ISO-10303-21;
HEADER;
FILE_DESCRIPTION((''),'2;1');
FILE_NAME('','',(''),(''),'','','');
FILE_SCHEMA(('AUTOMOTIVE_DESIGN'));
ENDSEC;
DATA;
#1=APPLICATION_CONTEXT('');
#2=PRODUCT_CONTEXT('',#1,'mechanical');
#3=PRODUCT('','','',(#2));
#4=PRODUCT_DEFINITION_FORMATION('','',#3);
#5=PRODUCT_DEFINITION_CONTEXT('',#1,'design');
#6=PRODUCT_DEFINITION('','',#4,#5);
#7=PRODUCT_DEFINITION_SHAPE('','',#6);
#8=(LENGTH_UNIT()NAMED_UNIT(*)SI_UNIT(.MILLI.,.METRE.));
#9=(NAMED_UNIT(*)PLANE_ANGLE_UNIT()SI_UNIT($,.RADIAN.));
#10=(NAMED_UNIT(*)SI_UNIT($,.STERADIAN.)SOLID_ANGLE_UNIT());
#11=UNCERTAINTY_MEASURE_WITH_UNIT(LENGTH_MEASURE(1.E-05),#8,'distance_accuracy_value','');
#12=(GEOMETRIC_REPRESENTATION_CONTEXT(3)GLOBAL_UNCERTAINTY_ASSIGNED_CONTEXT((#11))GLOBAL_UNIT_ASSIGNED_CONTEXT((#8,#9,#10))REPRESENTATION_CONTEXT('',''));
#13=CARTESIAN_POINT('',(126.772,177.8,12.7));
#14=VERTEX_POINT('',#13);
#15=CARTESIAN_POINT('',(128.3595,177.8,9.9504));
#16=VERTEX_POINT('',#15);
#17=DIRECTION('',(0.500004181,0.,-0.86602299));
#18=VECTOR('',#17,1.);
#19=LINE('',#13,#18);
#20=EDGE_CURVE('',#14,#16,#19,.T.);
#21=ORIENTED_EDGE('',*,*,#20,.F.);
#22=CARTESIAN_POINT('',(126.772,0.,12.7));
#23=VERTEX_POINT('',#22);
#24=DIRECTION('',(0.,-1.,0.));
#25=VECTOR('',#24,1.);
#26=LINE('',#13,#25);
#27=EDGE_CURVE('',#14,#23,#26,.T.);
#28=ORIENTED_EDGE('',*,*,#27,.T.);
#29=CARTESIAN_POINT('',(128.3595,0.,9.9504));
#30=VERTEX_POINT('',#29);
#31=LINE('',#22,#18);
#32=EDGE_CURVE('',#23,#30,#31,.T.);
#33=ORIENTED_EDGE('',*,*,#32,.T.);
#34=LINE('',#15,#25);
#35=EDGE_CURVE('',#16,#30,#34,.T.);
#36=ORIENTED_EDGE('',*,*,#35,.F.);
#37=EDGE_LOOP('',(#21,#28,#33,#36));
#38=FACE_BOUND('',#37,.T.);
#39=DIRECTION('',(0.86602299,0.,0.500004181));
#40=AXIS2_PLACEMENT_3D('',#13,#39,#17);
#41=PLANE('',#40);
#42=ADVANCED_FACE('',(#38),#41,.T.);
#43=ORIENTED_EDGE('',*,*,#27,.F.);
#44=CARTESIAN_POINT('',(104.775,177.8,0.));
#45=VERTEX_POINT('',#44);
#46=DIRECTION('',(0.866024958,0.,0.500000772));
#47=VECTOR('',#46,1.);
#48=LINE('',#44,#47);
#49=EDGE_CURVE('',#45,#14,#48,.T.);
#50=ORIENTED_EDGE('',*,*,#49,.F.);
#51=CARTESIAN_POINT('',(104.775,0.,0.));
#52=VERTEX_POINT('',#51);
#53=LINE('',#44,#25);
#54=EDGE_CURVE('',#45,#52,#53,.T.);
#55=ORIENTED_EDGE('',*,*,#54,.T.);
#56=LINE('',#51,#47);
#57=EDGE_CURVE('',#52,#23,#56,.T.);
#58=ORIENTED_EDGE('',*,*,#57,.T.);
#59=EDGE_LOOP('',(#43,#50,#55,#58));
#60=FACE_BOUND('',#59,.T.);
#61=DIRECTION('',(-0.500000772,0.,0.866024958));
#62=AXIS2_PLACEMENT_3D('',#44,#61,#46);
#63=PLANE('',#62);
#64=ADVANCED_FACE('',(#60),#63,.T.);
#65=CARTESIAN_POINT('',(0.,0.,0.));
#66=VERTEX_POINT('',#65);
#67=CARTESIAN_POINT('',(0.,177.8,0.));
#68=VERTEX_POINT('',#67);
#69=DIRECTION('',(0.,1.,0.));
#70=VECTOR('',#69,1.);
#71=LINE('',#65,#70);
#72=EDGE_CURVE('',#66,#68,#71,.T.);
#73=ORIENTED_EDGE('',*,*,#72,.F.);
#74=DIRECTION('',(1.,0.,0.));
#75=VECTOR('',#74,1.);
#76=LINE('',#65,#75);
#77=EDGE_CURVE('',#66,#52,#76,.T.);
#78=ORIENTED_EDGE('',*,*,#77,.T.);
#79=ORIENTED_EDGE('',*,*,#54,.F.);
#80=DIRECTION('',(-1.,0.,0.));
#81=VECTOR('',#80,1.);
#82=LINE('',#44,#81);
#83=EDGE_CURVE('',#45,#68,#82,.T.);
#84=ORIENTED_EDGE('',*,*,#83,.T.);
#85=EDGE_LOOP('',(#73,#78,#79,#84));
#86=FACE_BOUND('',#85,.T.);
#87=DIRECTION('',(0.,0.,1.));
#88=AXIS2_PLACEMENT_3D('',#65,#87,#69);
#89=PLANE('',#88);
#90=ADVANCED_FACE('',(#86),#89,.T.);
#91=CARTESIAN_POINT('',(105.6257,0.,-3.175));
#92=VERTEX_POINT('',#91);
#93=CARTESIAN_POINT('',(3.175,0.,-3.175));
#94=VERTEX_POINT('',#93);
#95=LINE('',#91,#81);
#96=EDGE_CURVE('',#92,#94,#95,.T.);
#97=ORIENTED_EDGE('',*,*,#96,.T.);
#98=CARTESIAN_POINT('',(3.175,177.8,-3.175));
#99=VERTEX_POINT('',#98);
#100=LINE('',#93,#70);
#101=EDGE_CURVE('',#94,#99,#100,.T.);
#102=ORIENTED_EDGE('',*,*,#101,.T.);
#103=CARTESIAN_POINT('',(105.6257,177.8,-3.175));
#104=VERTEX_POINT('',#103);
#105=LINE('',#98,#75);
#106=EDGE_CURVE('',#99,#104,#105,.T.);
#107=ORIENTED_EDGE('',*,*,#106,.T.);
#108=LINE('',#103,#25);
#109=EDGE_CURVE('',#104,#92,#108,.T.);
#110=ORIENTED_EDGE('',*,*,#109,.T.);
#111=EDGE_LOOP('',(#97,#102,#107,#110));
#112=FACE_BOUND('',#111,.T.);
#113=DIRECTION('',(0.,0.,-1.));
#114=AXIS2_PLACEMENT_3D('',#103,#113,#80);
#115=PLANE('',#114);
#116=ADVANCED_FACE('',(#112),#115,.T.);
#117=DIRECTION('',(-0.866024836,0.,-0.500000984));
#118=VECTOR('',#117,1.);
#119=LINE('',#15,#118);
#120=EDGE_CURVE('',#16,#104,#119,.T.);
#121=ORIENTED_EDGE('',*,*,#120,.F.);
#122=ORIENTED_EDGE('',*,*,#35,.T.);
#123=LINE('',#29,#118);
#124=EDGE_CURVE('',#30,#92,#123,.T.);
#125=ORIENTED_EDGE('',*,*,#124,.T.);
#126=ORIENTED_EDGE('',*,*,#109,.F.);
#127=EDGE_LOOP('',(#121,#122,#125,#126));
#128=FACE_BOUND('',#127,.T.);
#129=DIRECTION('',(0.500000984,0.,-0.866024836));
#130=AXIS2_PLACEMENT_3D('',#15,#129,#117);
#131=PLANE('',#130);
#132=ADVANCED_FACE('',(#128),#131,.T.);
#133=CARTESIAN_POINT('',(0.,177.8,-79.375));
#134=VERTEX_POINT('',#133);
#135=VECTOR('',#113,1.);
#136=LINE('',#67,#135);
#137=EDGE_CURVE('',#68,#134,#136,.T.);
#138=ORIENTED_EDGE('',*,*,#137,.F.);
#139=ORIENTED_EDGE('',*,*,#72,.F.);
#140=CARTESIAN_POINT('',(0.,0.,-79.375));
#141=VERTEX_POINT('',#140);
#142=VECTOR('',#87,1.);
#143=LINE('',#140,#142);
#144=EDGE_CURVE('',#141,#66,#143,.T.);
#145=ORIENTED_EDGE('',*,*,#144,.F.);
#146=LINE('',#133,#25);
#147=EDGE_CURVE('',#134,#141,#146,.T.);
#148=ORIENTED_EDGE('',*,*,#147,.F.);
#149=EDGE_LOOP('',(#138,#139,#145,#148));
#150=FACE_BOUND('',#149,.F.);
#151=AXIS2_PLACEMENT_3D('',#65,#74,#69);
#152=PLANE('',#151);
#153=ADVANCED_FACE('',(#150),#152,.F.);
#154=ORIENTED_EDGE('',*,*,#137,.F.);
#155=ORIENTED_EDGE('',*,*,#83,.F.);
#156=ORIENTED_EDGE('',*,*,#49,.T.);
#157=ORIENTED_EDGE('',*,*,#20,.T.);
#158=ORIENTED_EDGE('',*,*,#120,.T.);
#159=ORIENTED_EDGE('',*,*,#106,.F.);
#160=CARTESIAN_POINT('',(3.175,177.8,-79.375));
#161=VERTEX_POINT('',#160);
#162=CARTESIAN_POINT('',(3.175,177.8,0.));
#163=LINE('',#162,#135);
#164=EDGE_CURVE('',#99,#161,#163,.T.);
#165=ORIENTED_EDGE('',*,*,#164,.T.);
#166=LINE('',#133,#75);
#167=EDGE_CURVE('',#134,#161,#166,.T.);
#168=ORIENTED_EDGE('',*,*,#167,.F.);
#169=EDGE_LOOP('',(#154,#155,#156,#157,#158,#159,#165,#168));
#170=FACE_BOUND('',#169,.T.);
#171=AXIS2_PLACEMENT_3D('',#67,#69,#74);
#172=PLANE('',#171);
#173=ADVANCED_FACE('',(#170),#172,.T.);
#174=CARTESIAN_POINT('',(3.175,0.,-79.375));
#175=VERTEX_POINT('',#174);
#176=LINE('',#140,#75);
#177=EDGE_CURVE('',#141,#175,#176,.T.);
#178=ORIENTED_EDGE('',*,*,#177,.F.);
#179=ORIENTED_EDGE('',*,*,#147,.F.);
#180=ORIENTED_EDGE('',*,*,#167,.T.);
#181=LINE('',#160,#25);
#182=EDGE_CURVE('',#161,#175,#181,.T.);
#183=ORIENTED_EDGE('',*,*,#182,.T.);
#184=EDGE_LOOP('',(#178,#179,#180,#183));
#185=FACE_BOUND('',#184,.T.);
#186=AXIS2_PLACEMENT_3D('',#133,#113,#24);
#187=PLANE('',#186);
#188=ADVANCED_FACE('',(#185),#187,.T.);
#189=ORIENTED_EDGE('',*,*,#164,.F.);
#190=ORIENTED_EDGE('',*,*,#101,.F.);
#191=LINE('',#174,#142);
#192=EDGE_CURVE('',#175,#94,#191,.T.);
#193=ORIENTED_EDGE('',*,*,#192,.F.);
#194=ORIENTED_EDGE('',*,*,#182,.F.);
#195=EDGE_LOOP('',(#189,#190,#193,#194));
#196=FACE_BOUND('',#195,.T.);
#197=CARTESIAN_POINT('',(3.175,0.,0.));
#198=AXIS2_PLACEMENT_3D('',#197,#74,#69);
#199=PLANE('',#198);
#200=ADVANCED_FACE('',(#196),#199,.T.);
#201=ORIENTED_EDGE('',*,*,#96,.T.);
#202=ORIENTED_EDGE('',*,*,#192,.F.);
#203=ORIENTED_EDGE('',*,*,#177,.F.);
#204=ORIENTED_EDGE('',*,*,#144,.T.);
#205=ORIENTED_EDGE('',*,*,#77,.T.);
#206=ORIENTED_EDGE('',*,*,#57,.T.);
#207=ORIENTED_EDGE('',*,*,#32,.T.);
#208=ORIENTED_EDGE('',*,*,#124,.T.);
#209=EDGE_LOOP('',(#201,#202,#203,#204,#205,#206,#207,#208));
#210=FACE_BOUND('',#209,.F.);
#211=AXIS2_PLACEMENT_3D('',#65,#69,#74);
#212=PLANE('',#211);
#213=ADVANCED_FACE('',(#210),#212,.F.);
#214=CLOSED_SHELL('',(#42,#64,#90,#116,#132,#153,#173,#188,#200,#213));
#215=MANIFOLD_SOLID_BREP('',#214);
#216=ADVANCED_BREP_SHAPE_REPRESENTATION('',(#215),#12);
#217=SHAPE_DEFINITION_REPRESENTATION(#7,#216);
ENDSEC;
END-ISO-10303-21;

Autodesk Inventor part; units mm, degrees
ref_plane "YZ Plane" through (0, 0, 0) normal (1, 0, 0) x (0, 1, 0)
ref_plane "XZ Plane" through (0, 0, 0) normal (0, 1, 0) x (-1, 0, 0)
ref_plane "XY Plane" through (0, 0, 0) normal (0, 0, 1) x (1, 0, 0)
sketch "Sketch1" plane through (0, 0, 0) normal (1, 0, 0) x (0, 1, 0)
  line L0 (0, 0) -> (177.8, 0)
  line L1 (177.8, 0) -> (177.8, -79.375)
  line L2 (177.8, -79.375) -> (0, -79.375)
  line L3 (0, -79.375) -> (0, 0)
  dimension "d0" = 177.8
  dimension "d1" = 79.375
extrude "Extrusion1" add sketch "Sketch1" along normal blind 3.175
sketch "Sketch2" plane through (3.175, 0, 0) normal (1, 0, 0) x (0, 0, -1)
  line L0 (0, 177.8) -> (0, 0) projected
  line L1 (0, 0) -> (3.175, 0)
  line L2 (3.175, 0) -> (3.175, 177.8)
  line L3 (3.175, 177.8) -> (0, 177.8)
  line L4 (0, 177.8) -> (0, 0)
  dimension "d4" = 3.175
extrude "Extrusion2" add sketch "Sketch2" along normal blind 101.6
sketch "Sketch3" plane through (0, 177.8, 0) normal (0, 1, 0) x (1, 0, 0)
  line L0 (0, 0) -> (104.775, 0) projected
  line L1 (104.775, 0) -> (126.772, -12.7)
  line L2 (126.772, -12.7) -> (128.3595, -9.9504)
  line L3 (128.3595, -9.9504) -> (105.6257, 3.175)
  line L4 (3.175, 3.175) -> (104.775, 3.175) projected
  line L5 (105.6257, 3.175) -> (104.775, 3.175)
  line L6 (3.175, 3.175) -> (104.775, 3.175) projected
  line L7 (104.775, 3.175) -> (104.775, 0) projected
  line L8 (0, 0) -> (104.775, 0) projected
  line L9 (104.775, 3.175) -> (104.775, 0)
  dimension "d7" = 3.175
  dimension "d8" = 25.4
  dimension "d9" = 150
extrude "Extrusion3" add sketch "Sketch3" against normal blind 177.8
properties part number "15102898-16-P-0402" material "Aluminum 6061"
